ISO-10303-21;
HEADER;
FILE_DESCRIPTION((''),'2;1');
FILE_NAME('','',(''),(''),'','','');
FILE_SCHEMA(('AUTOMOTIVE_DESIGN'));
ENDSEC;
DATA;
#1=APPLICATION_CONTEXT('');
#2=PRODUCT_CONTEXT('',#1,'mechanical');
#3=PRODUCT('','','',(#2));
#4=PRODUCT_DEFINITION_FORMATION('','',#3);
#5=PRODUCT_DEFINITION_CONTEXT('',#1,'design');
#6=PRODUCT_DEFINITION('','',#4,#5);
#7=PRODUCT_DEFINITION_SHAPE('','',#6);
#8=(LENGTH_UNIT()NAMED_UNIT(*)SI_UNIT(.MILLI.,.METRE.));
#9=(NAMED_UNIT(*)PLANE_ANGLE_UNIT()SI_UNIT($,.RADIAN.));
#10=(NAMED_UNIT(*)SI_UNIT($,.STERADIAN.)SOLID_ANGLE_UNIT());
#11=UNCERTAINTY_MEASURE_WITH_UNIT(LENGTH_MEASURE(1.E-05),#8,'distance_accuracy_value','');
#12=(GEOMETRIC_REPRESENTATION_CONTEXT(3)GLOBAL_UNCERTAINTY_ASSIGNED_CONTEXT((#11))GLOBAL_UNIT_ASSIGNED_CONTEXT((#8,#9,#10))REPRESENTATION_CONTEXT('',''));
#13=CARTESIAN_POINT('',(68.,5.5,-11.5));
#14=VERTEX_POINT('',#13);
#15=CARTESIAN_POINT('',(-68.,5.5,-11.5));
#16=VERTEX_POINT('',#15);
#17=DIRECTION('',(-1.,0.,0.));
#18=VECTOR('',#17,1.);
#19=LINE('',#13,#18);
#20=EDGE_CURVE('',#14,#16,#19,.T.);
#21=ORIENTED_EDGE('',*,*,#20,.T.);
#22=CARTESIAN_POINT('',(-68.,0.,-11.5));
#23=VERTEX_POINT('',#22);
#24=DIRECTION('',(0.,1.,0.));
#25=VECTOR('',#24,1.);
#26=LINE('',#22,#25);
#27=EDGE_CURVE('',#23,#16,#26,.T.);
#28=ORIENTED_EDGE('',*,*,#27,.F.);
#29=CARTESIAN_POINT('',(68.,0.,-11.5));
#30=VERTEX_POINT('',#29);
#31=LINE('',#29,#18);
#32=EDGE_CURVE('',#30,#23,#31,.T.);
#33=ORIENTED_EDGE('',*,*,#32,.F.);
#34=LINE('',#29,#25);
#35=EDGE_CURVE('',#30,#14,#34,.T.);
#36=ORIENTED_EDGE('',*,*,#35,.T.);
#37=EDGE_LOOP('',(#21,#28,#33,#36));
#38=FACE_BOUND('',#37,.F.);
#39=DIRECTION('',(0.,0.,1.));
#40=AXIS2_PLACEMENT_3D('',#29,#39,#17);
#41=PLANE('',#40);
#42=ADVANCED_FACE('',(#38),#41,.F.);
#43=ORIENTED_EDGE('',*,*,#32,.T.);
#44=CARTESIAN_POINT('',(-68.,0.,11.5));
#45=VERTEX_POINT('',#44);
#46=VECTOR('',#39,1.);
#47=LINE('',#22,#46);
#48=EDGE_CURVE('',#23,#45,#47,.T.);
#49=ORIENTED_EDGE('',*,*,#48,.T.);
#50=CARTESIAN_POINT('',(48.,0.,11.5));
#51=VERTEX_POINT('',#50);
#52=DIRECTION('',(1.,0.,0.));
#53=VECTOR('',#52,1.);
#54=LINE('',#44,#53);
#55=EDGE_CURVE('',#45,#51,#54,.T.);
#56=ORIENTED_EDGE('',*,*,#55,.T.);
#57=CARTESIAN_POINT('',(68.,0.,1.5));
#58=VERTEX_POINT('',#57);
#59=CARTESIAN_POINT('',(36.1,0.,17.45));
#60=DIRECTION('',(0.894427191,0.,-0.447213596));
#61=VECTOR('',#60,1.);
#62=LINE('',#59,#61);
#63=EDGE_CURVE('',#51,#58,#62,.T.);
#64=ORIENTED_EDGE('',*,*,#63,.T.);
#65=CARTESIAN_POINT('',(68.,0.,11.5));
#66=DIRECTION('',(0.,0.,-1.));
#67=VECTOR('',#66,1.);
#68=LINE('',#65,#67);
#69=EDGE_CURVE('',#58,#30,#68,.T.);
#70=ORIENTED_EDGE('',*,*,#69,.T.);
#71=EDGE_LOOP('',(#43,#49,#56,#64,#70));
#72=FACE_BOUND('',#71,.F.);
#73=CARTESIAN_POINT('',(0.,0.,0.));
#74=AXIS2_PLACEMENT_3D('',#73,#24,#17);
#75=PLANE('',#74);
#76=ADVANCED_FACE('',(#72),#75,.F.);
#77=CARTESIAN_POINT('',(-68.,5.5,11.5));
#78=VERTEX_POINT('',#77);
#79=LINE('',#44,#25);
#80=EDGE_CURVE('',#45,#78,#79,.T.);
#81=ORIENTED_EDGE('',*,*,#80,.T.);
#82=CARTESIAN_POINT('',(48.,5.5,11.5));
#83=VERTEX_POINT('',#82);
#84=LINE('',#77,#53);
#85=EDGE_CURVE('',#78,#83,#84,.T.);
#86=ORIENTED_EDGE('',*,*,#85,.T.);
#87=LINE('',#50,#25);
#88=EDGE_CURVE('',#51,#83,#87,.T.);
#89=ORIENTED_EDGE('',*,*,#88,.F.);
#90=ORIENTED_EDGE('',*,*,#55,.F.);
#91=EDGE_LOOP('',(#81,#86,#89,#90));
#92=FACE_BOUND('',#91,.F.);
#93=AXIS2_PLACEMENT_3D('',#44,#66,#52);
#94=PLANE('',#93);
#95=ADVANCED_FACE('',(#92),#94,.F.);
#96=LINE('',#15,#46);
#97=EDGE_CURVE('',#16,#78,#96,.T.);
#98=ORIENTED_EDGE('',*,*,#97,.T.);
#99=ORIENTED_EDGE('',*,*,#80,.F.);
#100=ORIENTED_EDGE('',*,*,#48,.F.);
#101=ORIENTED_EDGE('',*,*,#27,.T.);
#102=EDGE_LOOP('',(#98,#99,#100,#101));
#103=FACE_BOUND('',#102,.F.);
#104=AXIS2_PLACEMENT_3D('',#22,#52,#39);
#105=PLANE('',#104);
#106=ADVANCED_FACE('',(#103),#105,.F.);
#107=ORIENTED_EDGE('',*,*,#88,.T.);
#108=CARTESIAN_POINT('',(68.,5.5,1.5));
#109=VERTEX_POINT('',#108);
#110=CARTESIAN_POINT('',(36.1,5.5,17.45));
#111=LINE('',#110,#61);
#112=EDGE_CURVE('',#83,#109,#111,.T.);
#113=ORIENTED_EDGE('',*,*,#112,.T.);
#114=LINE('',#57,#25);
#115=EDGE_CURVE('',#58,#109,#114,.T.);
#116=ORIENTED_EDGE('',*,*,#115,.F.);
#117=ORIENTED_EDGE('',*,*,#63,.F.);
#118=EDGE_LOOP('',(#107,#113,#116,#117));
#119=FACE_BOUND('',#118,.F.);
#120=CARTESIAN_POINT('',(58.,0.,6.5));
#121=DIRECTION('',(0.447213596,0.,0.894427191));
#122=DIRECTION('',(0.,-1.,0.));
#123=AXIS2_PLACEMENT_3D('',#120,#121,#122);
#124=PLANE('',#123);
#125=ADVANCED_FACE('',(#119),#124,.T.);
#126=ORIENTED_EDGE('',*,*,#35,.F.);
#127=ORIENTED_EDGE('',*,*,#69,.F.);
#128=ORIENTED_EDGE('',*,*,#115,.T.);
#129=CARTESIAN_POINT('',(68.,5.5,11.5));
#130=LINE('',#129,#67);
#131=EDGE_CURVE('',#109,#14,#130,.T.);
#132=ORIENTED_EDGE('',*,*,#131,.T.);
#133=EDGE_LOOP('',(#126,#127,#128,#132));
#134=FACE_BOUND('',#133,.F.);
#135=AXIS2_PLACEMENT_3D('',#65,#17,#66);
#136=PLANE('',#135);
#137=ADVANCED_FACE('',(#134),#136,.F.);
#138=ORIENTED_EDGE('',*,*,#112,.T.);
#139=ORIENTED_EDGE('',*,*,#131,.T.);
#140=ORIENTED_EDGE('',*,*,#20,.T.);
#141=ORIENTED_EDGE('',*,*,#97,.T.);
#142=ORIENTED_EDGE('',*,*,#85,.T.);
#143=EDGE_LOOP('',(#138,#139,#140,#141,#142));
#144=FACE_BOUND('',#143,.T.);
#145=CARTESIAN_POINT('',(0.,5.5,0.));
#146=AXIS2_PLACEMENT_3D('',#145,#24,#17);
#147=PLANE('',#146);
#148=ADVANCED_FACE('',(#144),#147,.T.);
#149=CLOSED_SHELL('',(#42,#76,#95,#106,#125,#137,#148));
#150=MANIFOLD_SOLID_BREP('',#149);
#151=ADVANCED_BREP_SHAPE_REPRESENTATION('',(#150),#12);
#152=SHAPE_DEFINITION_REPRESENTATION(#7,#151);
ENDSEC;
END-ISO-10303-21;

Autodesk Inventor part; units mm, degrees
ref_plane "YZ Plane" through (0, 0, 0) normal (1, 0, 0) x (0, 1, 0)
ref_plane "XZ Plane" through (0, 0, 0) normal (0, 1, 0) x (-1, 0, 0)
ref_plane "XY Plane" through (0, 0, 0) normal (0, 0, 1) x (1, 0, 0)
sketch "スケッチ1" plane through (0, 0, 0) normal (0, 1, 0) x (-1, 0, 0)
  line L0 (-68, -11.5) -> (68, -11.5)
  line L1 (68, -11.5) -> (68, 11.5)
  line L2 (68, 11.5) -> (-68, 11.5)
  line L3 (-68, 11.5) -> (-68, -11.5)
  line L4 (-68, -11.5) -> (68, 11.5) construction
  line L5 (68, -11.5) -> (-68, 11.5) construction
  point P0 (0, 0)
  dimension "d0" = 136
  dimension "d1" = 23
extrude "押し出し1" add sketch "スケッチ1" along normal blind 5.5
chamfer "面取り1" distance 20 distance2 10 1 edges at (68, 2.75, 11.5) measured on face at (-22.6667, 3.6667, 11.5)
properties part number "stopper" material "木材 (カエデ材)"
